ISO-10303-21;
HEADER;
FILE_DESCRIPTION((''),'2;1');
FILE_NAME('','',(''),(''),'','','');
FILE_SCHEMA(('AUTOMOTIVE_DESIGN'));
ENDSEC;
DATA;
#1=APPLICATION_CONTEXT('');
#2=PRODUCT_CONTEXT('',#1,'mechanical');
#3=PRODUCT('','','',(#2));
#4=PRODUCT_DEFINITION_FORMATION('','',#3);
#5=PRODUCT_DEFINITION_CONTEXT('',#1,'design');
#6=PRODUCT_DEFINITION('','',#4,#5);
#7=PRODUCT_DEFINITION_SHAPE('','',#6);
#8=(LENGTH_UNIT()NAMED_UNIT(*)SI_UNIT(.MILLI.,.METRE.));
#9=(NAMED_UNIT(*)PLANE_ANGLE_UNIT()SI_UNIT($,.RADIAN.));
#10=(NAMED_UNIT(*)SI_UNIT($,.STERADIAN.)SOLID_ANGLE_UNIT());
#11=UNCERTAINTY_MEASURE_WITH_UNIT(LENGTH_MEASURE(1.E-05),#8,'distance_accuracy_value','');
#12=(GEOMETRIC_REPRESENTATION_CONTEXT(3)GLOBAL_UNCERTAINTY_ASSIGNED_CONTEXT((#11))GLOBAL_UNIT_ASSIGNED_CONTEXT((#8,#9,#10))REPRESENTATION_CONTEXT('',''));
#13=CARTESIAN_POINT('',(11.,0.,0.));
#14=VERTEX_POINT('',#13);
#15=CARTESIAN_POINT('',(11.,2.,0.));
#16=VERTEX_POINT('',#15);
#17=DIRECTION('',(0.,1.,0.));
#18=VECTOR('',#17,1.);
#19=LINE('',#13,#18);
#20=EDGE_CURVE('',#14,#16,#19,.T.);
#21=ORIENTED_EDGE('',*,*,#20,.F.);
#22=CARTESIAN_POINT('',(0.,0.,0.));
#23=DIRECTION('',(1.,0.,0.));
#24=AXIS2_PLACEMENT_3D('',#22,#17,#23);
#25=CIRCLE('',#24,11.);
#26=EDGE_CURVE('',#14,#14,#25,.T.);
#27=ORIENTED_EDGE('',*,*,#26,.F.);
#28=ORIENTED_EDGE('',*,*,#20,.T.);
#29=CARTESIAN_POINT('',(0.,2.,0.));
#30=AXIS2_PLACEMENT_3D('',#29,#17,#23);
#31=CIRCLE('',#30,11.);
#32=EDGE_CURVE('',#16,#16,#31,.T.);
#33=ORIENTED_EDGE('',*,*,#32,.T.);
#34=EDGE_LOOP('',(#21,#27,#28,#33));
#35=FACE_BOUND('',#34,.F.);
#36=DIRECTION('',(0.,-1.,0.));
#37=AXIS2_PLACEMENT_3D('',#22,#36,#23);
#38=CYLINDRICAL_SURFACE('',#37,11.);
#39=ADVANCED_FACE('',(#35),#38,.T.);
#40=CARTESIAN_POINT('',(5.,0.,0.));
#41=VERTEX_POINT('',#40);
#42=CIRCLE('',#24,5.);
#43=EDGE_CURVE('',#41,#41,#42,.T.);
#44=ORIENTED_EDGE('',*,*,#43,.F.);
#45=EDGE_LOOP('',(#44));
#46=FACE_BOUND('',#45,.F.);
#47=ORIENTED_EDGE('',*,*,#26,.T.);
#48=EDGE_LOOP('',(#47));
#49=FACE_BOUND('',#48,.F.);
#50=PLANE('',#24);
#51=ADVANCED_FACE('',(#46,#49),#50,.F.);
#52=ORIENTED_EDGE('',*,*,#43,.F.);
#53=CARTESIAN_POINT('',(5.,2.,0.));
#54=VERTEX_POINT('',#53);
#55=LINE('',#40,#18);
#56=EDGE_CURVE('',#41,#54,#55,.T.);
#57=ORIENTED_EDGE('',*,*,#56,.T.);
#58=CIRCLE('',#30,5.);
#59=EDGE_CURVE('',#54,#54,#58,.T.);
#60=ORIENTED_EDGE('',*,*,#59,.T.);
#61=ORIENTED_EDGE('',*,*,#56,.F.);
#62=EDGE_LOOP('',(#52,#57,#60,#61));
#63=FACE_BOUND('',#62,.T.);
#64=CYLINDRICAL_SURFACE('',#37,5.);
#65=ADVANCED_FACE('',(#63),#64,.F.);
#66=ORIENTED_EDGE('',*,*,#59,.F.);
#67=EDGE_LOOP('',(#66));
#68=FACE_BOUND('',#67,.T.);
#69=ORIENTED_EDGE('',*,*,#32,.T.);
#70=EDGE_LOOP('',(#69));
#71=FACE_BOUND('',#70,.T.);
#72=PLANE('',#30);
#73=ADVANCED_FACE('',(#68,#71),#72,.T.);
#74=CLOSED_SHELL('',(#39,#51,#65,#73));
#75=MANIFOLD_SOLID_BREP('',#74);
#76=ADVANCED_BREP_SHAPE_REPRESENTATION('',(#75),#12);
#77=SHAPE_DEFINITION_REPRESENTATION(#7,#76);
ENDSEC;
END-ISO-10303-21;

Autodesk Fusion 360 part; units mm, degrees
sketch "Skizze1" plane through (0, 0, 0) normal (0, 1, 0) x (1, 0, 0)
  circle A0 centre (0, 0) radius 5
  circle A1 centre (0, 0) radius 11
  dimension "d1" = 10
  dimension "d2" = 22
extrude "Extrusion2" add sketch "Skizze1" along normal blind 2
